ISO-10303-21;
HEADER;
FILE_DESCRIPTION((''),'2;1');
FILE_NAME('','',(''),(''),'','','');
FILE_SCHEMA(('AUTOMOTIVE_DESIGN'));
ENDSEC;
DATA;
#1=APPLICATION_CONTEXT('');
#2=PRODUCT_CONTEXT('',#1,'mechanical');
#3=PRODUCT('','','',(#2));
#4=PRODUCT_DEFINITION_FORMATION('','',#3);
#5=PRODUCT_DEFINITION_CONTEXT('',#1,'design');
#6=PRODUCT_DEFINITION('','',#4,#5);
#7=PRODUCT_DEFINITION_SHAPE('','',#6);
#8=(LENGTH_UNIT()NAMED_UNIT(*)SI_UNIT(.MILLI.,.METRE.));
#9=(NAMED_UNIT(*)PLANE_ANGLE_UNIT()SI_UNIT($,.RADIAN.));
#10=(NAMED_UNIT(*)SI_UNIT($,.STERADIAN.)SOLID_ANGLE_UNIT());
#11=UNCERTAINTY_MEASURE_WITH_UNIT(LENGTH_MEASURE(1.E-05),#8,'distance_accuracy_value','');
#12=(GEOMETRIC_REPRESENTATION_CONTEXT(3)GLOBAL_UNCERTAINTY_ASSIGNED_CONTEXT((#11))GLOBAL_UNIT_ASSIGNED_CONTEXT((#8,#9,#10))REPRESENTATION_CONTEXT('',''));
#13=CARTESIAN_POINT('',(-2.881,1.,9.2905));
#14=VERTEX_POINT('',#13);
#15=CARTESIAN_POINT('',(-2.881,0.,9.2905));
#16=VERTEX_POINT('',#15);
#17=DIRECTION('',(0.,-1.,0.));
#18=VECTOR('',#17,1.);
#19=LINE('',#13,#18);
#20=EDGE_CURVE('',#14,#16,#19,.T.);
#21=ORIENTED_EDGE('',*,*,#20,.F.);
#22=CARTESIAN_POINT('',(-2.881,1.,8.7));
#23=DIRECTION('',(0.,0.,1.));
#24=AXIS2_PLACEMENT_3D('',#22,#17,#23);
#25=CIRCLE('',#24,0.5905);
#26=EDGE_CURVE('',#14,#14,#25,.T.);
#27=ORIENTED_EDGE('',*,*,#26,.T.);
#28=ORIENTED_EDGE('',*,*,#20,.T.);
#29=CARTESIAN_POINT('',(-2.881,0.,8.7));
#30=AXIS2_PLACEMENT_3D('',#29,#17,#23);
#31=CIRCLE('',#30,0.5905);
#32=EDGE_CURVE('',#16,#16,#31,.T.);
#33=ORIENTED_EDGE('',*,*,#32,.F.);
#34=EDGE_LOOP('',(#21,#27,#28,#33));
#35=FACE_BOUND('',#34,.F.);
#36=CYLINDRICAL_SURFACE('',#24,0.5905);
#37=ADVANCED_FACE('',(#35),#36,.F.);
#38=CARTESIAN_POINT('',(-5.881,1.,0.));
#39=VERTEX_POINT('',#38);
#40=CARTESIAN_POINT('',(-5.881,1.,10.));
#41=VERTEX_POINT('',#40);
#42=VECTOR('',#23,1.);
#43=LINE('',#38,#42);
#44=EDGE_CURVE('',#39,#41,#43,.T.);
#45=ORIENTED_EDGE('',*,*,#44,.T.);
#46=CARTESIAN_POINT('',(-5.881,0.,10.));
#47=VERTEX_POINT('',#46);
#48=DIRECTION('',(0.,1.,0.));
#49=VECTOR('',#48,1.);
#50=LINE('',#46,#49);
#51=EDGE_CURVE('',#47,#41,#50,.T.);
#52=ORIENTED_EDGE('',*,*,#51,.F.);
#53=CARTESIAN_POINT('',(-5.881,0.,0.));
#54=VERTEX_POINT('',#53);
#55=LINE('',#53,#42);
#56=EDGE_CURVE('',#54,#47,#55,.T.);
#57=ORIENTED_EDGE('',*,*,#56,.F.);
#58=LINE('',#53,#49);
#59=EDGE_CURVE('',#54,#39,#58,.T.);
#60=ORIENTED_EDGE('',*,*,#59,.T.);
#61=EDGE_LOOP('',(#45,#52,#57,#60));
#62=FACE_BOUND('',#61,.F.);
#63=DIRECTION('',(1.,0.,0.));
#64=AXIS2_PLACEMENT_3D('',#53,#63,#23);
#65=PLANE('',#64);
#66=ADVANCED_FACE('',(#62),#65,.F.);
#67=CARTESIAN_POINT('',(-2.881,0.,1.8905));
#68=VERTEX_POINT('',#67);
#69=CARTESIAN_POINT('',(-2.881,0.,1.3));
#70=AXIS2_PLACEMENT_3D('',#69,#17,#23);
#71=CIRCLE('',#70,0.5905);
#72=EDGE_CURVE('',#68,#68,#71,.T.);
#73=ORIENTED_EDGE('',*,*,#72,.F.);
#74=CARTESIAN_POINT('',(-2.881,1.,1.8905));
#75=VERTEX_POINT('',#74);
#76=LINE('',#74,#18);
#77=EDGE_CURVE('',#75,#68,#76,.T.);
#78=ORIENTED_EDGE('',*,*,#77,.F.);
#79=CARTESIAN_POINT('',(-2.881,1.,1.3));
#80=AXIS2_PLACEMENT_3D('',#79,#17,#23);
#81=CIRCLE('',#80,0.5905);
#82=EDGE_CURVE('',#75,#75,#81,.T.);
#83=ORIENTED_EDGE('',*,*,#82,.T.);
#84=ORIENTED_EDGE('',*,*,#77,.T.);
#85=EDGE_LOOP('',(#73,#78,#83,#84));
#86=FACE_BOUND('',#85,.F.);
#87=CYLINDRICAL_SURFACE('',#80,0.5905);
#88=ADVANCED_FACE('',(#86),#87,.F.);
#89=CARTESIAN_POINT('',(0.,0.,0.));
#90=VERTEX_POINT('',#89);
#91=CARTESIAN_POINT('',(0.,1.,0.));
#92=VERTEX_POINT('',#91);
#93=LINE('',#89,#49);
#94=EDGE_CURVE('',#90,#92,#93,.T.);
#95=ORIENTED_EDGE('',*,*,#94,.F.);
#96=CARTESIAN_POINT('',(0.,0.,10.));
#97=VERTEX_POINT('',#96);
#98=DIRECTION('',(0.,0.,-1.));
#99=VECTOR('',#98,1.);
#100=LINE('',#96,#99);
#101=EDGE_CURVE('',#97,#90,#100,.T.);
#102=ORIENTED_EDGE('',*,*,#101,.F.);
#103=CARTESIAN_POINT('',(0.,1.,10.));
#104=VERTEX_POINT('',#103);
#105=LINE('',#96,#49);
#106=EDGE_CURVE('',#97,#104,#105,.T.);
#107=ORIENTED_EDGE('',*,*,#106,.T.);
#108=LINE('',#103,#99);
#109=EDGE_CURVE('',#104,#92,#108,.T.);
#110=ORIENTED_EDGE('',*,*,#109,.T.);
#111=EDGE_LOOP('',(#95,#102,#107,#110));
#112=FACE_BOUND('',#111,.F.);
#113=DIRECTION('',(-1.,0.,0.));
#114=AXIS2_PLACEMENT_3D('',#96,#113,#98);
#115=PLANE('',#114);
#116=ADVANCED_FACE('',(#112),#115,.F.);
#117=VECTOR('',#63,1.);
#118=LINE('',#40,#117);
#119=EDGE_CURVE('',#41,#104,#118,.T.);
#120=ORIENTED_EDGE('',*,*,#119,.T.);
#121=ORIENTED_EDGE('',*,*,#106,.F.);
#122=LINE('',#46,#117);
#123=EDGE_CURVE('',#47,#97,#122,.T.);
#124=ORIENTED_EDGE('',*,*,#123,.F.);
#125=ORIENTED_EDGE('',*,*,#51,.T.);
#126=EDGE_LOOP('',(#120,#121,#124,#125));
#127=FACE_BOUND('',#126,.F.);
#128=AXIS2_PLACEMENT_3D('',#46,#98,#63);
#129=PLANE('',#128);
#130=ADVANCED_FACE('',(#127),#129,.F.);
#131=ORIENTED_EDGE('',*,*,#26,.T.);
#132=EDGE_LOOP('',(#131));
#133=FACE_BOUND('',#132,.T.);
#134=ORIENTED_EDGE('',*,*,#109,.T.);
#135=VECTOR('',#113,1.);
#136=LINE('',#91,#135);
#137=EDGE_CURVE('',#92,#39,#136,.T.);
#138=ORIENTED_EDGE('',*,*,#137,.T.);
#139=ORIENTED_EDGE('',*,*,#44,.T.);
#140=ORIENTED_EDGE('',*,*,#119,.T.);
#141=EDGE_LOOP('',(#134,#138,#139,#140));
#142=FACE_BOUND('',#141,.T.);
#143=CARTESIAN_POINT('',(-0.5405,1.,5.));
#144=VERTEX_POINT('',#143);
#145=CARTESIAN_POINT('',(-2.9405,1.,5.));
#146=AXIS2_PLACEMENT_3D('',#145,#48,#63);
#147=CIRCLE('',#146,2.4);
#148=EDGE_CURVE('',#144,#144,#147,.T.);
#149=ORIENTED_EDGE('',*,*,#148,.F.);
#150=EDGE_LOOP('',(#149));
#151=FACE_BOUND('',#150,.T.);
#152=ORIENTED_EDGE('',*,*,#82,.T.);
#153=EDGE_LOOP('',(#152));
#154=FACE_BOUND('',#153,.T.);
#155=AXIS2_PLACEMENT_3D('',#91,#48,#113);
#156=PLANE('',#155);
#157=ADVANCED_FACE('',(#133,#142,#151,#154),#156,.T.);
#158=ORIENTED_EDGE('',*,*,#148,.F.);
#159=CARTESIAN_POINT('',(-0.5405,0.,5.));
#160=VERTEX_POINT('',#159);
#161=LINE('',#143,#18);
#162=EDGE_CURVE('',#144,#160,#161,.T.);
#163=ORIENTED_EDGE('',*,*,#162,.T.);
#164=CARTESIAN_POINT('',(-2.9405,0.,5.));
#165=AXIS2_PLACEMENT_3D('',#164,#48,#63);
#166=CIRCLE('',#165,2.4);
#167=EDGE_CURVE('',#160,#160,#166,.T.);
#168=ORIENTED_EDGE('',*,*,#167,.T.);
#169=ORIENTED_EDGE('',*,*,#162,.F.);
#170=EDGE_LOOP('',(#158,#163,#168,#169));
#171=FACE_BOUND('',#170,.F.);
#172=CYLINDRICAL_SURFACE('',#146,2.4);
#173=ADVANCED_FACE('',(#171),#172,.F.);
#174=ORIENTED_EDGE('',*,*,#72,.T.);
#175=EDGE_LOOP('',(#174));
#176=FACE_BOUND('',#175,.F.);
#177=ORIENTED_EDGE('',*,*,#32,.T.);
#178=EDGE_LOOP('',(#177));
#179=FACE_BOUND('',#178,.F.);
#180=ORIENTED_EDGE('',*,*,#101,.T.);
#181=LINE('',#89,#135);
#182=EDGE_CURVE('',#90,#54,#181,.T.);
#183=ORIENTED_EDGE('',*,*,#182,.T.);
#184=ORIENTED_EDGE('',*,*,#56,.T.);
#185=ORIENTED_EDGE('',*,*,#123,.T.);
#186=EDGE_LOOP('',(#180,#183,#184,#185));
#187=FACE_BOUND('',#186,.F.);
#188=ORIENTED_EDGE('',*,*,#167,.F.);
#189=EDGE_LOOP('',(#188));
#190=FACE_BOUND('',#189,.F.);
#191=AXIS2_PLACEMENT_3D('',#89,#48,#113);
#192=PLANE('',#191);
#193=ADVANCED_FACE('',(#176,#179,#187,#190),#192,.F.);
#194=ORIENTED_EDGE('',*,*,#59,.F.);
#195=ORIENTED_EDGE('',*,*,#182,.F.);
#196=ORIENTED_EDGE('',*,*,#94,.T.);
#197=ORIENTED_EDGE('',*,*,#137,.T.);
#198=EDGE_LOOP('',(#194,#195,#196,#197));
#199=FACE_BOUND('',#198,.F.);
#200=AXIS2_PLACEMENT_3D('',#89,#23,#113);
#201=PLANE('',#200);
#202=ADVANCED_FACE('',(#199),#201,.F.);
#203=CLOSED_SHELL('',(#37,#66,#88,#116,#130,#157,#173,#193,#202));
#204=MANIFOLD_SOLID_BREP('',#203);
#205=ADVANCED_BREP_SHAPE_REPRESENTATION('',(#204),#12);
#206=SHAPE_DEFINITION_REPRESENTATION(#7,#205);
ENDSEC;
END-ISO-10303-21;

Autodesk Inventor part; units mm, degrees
ref_plane "YZ Plane" through (0, 0, 0) normal (1, 0, 0) x (0, 1, 0)
ref_plane "XZ Plane" through (0, 0, 0) normal (0, 1, 0) x (-1, 0, 0)
ref_plane "XY Plane" through (0, 0, 0) normal (0, 0, 1) x (1, 0, 0)
sketch "Sketch2" plane through (0, 0, 0) normal (0, 1, 0) x (-1, 0, 0)
  line L0 (0, 0) -> (5.881, 0)
  line L1 (5.881, 0) -> (5.881, 10)
  line L2 (5.881, 10) -> (0, 10)
  line L3 (0, 10) -> (0, 0)
  dimension "d2" = 5.881
  dimension "d3" = 10
extrude "Extrusion2" add sketch "Sketch2" along normal blind 1
sketch "Sketch3" plane through (0, 1, 0) normal (0, 1, 0) x (1, 0, 0)
  circle A0 centre (-2.9405, -5) radius 2.4
  dimension "d6" = 4.8
extrude "Extrusion3" cut sketch "Sketch3" against normal blind 1
sketch "Sketch4" plane through (0, 1, 0) normal (0, 1, 0) x (1, 0, 0)
  circle A0 centre (-2.9405, -5) radius 2.4 projected
  line L0 (0, 0) -> (-5.881, 0) projected
  line L1 (-5.881, 0) -> (-5.881, -10) projected
  line L2 (-5.881, -10) -> (0, -10) projected
  line L3 (0, -10) -> (0, 0) projected
hole "Hole1" at (-2.881, 1, 1.3) direction (0, -1, 0) diameter 1.181 end through all thread size "0-80 UNF" class "2B" standard "ANSI Unified Screw Threads"
hole "Hole2" at (-2.881, 1, 8.7) direction (0, -1, 0) diameter 1.181 end through all thread size "0-80 UNF" class "2B" standard "ANSI Unified Screw Threads"
properties part number "recessedCoverslipHolder_v1"
